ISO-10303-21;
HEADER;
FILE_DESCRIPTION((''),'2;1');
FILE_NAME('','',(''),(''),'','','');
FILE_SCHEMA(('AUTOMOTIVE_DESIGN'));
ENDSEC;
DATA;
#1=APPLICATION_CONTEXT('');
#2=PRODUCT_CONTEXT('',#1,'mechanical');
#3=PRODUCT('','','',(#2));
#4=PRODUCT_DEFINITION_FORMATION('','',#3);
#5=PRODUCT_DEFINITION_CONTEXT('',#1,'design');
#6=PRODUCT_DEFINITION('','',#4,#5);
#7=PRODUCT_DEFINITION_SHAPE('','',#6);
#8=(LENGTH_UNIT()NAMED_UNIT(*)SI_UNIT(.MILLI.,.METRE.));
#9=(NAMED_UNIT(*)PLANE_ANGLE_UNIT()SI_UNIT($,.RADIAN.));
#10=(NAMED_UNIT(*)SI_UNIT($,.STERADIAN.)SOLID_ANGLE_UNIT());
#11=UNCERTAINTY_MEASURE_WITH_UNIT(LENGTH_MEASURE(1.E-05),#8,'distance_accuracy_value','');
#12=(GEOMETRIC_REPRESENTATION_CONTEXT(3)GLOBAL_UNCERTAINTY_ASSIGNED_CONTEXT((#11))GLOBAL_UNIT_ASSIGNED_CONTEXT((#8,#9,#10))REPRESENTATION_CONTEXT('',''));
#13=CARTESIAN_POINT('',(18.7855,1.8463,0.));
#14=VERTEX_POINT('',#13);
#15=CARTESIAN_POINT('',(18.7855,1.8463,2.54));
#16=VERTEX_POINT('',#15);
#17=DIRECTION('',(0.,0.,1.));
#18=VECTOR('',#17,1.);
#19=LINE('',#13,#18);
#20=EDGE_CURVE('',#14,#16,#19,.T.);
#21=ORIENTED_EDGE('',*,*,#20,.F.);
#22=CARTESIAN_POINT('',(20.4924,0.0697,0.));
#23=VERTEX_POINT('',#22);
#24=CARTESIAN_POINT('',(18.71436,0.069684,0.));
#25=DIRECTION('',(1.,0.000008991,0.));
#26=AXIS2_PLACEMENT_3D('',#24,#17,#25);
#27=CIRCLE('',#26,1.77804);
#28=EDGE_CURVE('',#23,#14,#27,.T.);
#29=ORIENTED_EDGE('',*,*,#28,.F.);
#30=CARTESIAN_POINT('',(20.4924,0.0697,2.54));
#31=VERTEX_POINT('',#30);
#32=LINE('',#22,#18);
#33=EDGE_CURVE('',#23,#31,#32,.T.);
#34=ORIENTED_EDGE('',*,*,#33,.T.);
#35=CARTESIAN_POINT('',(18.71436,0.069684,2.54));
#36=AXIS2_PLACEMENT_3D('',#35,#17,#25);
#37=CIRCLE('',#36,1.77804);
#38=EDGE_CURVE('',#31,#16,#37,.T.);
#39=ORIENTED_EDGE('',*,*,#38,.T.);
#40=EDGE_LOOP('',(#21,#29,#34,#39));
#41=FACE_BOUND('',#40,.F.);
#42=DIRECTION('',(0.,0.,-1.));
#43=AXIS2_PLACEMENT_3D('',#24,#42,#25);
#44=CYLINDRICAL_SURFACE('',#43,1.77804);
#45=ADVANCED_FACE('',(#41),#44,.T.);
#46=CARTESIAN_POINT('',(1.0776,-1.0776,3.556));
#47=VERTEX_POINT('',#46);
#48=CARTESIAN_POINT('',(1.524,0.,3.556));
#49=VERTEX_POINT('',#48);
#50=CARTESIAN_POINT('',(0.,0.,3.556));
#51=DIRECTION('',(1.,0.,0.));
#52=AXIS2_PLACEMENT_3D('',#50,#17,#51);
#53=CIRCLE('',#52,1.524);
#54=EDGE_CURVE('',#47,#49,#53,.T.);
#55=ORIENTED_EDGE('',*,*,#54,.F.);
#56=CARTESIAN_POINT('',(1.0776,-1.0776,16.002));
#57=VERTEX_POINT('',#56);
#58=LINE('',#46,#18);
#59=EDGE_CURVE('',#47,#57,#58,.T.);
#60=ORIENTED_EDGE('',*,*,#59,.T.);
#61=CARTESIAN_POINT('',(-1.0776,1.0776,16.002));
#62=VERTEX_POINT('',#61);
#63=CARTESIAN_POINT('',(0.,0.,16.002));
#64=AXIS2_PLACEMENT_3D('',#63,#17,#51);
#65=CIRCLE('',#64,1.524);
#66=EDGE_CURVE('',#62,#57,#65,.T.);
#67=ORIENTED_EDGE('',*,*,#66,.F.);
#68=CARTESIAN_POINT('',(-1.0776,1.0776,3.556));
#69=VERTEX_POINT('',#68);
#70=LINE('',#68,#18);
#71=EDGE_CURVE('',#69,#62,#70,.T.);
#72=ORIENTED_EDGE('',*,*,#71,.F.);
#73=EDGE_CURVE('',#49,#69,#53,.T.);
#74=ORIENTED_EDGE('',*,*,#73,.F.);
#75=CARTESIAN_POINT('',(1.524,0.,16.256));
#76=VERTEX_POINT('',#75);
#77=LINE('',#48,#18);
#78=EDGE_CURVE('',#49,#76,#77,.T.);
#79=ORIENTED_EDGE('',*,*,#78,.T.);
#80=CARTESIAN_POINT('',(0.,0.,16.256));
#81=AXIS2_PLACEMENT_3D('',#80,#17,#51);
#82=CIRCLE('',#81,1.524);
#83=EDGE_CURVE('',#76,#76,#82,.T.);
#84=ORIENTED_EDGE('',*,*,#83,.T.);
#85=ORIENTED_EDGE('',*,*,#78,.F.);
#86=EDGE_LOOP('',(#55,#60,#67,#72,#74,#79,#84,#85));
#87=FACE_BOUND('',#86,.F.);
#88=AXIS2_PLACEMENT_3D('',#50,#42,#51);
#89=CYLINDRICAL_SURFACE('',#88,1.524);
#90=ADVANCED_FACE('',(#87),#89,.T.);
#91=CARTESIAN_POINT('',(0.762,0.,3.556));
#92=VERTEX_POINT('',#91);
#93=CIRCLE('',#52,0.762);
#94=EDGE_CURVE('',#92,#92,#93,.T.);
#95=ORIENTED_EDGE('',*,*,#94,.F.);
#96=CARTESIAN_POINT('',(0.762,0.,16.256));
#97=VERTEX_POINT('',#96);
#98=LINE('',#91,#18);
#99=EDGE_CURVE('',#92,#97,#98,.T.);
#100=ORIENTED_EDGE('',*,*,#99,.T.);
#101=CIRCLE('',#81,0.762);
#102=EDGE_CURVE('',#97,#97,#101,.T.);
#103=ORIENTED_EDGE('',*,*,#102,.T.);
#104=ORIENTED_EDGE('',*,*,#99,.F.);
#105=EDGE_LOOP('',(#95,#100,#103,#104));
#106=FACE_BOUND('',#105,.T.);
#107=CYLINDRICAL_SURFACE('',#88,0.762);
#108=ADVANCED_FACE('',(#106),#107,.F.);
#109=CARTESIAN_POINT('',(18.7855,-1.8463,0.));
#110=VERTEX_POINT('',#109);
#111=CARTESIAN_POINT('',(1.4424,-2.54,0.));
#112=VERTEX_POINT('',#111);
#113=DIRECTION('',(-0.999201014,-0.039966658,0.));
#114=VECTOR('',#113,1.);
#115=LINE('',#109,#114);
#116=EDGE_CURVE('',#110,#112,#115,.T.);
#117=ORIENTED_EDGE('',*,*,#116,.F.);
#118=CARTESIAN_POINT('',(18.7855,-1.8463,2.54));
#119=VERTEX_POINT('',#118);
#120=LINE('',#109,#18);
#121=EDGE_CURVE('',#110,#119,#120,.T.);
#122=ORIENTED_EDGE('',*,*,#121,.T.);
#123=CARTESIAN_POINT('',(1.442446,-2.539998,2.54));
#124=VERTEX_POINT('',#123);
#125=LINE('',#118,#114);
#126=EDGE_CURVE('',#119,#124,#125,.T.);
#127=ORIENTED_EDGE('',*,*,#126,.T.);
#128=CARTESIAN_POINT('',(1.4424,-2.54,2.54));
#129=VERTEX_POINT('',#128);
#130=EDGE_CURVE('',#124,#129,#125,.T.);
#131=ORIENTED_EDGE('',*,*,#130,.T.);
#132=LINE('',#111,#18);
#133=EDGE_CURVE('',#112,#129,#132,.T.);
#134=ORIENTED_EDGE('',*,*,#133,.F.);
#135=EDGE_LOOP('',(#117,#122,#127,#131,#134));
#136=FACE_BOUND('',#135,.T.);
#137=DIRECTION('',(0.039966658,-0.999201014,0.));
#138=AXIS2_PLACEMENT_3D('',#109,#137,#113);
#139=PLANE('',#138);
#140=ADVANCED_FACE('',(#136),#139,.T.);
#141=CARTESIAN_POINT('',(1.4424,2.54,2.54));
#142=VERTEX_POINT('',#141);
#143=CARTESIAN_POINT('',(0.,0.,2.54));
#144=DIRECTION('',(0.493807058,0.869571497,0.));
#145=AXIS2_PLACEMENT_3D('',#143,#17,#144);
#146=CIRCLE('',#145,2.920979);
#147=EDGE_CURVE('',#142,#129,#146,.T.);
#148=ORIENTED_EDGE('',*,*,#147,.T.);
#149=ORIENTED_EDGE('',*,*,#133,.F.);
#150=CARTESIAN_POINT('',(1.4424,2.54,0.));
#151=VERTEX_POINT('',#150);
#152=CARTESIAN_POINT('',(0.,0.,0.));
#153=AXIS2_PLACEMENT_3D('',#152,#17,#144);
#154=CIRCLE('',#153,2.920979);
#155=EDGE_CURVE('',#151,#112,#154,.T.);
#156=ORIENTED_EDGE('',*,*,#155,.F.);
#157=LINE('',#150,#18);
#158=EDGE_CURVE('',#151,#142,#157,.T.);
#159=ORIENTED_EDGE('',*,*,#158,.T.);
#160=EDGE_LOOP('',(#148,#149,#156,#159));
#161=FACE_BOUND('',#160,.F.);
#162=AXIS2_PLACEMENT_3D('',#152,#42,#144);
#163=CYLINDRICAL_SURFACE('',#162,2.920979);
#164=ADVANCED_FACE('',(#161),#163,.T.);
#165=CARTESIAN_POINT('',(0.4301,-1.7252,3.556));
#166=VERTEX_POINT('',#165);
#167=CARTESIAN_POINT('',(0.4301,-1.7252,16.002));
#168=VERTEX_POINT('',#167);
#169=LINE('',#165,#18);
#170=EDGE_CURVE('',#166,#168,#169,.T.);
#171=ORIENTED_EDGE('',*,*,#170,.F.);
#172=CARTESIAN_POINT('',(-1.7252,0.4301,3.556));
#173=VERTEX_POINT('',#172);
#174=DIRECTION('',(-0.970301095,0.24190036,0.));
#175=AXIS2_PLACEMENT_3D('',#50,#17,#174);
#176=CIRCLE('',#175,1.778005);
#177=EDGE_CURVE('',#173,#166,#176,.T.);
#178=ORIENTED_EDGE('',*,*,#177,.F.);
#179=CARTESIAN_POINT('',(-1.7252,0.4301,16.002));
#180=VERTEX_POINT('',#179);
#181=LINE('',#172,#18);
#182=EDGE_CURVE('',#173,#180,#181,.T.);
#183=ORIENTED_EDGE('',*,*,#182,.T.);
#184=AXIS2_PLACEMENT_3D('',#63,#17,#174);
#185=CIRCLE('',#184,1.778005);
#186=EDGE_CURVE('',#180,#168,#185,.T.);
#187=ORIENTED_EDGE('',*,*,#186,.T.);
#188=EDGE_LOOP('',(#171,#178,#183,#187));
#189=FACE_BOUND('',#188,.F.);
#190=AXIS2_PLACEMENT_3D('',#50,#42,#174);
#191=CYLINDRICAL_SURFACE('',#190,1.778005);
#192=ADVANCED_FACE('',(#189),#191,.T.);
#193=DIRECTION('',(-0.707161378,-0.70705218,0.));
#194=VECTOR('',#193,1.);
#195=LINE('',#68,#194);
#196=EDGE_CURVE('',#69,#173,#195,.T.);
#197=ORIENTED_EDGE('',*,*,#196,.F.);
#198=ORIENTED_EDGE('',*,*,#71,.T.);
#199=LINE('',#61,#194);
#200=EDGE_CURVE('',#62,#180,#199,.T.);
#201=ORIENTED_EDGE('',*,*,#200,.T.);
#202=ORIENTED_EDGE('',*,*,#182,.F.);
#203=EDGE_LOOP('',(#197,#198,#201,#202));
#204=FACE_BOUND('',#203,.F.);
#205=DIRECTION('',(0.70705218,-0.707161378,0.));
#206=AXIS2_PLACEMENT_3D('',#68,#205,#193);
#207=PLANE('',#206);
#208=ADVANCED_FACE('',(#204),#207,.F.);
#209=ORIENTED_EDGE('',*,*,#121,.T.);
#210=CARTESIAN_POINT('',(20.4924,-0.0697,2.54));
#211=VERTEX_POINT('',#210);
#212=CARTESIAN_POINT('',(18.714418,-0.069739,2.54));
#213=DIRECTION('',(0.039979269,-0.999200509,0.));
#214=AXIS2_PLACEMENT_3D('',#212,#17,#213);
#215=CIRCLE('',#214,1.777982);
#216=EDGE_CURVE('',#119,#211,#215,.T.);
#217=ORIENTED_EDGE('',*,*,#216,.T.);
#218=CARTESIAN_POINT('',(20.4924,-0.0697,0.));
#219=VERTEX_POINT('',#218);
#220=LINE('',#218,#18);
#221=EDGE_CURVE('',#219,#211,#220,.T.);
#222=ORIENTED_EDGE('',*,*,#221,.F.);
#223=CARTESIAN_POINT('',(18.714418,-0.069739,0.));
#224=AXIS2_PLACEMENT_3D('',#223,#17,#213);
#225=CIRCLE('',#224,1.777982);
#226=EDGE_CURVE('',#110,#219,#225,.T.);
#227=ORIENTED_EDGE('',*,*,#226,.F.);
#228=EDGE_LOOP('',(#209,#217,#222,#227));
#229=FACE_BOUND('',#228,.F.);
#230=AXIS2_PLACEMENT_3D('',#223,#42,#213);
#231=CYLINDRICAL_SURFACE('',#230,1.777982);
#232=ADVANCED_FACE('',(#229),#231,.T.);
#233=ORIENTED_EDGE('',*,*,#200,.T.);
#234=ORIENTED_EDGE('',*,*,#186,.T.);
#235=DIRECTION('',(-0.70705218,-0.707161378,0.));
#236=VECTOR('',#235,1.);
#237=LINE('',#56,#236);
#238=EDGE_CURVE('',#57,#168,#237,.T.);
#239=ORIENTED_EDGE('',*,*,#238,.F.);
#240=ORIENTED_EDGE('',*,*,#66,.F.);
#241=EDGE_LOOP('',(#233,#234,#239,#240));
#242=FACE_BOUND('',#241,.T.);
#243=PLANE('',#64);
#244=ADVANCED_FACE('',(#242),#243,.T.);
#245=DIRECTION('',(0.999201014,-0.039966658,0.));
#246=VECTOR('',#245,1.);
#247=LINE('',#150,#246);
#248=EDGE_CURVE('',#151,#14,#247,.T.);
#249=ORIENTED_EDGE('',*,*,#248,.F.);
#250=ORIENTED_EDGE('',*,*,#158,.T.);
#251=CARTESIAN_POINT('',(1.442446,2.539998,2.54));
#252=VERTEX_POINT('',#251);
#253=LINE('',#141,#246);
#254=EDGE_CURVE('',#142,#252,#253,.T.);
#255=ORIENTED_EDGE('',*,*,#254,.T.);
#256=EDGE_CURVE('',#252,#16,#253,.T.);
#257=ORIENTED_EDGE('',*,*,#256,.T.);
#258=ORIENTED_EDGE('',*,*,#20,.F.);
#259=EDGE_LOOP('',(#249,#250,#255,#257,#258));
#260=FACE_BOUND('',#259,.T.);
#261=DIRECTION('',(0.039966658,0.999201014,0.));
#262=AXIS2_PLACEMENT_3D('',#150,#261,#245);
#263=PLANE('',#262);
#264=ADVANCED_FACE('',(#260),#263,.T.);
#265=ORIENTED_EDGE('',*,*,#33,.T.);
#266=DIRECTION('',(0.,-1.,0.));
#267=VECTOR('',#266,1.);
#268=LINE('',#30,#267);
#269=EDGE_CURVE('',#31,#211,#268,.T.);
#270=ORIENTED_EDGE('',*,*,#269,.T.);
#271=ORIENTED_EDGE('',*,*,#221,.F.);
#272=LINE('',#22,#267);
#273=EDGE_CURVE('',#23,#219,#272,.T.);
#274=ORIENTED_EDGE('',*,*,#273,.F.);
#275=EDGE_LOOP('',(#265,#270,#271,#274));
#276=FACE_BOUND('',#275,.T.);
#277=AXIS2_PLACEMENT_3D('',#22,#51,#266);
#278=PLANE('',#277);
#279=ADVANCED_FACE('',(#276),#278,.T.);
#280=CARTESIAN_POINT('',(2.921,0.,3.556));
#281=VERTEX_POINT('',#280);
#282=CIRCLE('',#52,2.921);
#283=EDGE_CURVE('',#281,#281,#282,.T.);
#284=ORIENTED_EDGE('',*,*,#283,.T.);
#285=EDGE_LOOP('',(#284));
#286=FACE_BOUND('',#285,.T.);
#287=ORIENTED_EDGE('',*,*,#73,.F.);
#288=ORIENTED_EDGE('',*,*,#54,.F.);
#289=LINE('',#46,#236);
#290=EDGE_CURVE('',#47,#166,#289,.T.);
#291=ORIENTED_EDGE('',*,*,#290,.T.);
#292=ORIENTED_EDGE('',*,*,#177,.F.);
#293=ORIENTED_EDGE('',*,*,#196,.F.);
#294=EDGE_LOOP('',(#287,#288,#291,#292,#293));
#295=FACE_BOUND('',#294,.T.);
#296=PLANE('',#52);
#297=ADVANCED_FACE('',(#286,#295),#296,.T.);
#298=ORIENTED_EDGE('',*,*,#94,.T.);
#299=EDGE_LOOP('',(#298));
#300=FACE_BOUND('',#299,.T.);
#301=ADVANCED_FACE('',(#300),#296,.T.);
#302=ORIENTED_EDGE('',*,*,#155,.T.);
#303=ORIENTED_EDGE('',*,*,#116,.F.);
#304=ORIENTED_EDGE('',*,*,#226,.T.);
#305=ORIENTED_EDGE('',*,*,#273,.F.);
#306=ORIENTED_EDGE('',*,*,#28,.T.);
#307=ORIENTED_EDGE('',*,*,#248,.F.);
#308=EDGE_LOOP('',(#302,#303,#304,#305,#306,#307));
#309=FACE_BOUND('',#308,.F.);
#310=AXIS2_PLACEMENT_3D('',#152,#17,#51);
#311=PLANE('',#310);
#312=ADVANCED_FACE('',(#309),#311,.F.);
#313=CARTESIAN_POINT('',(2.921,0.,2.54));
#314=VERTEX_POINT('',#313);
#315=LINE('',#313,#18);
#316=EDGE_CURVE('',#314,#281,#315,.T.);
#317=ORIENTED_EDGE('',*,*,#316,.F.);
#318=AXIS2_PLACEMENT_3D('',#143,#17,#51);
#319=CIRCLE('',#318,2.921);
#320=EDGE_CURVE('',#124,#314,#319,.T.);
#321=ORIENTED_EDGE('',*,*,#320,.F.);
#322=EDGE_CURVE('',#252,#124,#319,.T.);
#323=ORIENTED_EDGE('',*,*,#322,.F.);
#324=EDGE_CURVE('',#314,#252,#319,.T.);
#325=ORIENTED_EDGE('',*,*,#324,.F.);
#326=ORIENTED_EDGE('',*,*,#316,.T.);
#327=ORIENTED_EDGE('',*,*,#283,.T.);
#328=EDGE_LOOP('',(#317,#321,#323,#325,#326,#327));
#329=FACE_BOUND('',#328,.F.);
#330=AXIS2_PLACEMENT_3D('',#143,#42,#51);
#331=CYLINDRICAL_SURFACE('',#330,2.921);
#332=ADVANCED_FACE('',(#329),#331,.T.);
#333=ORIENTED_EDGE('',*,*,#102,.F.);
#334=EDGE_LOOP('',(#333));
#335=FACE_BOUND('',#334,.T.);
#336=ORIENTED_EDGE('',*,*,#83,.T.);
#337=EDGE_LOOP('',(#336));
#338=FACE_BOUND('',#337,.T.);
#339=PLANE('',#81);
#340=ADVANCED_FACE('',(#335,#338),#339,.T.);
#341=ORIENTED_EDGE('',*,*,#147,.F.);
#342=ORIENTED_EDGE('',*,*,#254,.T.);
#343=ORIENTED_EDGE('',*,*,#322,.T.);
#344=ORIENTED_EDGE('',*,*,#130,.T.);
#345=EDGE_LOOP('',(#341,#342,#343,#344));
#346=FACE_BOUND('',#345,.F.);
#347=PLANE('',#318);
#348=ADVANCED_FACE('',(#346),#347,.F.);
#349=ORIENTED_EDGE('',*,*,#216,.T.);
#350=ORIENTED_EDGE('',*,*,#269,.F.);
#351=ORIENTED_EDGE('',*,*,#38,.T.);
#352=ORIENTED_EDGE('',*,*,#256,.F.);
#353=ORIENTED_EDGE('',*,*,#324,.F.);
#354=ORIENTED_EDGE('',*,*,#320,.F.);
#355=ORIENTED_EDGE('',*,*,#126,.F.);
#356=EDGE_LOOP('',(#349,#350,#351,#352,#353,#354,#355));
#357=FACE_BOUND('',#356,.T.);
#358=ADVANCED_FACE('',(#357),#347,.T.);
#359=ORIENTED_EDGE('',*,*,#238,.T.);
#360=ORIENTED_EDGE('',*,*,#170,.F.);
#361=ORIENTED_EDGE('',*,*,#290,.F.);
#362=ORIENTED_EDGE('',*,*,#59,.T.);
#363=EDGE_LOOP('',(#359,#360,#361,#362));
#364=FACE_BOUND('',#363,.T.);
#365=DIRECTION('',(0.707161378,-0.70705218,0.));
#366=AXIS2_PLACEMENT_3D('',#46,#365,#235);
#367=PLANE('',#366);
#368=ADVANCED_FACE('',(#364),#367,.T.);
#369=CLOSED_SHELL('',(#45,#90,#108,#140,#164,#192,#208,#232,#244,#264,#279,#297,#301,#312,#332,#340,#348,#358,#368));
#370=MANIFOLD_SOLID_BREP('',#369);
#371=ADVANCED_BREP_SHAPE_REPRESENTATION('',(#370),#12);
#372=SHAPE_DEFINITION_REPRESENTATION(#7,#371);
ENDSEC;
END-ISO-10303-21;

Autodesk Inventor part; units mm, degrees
ref_plane "YZ Plane" through (0, 0, 0) normal (1, 0, 0) x (0, 1, 0)
ref_plane "XZ Plane" through (0, 0, 0) normal (0, 1, 0) x (-1, 0, 0)
ref_plane "XY Plane" through (0, 0, 0) normal (0, 0, 1) x (1, 0, 0)
sketch "Sketch1" plane through (0, 0, 0) normal (0, 0, 1) x (1, 0, 0)
  arc A0 (1.4424, 2.54) -> (1.4424, -2.54) centre (0, 0) ccw
  line L0 (1.4424, 2.54) -> (18.7855, 1.8463)
  line L1 (18.7855, -1.8463) -> (1.4424, -2.54)
  line L2 (20.4924, 0.0697) -> (20.4924, -0.0697)
  arc A1 (18.7855, -1.8463) -> (20.4924, -0.0697) centre (18.7144, -0.0697) ccw
  arc A2 (20.4924, 0.0697) -> (18.7855, 1.8463) centre (18.7144, 0.0697) ccw
  point P0 (20.4924, 1.778)
  point P1 (20.4924, -1.778)
  point P2 (20.4924, 0)
  dimension "d0" = 5.842
  dimension "d1" = 5.08
  dimension "d2" = 3.556
  dimension "d3" = 1.778
  dimension "d4" = 19.05
  dimension "d5" = 1.778
extrude "Extrusion1" add sketch "Sketch1" along normal blind 2.54
sketch "Sketch2" plane through (0, 0, 2.54) normal (0, 0, 1) x (1, 0, 0)
  circle A0 centre (0, 0) radius 2.921
extrude "Extrusion2" add sketch "Sketch2" along normal blind 1.016
sketch "Sketch3" plane through (0, 0, 3.556) normal (0, 0, 1) x (1, 0, 0)
  circle A0 centre (0, 0) radius 0.762
  circle A1 centre (0, 0) radius 1.524
  dimension "d10" = 1.524
  dimension "d11" = 0.762
extrude "Extrusion3" add sketch "Sketch3" along normal blind 12.7
sketch "Sketch4" plane through (0, 0, 3.556) normal (0, 0, 1) x (1, 0, 0)
  circle A0 centre (0, 0) radius 1.524 projected
  line L0 (-1.0776, 1.0776) -> (-1.7252, 0.4301)
  line L1 (1.0776, -1.0776) -> (0.4301, -1.7252)
  arc A1 (-1.7252, 0.4301) -> (0.4301, -1.7252) centre (0, 0) ccw
  arc A2 (-1.0776, 1.0776) -> (1.0776, -1.0776) centre (0, 0) ccw
  dimension "d17" = 3.302
extrude "Extrusion5" add sketch "Sketch4" along normal blind 12.446 contours A0 L1 A1 L0
properties part number "Right leg distributor" material "Phenolic Resin"
